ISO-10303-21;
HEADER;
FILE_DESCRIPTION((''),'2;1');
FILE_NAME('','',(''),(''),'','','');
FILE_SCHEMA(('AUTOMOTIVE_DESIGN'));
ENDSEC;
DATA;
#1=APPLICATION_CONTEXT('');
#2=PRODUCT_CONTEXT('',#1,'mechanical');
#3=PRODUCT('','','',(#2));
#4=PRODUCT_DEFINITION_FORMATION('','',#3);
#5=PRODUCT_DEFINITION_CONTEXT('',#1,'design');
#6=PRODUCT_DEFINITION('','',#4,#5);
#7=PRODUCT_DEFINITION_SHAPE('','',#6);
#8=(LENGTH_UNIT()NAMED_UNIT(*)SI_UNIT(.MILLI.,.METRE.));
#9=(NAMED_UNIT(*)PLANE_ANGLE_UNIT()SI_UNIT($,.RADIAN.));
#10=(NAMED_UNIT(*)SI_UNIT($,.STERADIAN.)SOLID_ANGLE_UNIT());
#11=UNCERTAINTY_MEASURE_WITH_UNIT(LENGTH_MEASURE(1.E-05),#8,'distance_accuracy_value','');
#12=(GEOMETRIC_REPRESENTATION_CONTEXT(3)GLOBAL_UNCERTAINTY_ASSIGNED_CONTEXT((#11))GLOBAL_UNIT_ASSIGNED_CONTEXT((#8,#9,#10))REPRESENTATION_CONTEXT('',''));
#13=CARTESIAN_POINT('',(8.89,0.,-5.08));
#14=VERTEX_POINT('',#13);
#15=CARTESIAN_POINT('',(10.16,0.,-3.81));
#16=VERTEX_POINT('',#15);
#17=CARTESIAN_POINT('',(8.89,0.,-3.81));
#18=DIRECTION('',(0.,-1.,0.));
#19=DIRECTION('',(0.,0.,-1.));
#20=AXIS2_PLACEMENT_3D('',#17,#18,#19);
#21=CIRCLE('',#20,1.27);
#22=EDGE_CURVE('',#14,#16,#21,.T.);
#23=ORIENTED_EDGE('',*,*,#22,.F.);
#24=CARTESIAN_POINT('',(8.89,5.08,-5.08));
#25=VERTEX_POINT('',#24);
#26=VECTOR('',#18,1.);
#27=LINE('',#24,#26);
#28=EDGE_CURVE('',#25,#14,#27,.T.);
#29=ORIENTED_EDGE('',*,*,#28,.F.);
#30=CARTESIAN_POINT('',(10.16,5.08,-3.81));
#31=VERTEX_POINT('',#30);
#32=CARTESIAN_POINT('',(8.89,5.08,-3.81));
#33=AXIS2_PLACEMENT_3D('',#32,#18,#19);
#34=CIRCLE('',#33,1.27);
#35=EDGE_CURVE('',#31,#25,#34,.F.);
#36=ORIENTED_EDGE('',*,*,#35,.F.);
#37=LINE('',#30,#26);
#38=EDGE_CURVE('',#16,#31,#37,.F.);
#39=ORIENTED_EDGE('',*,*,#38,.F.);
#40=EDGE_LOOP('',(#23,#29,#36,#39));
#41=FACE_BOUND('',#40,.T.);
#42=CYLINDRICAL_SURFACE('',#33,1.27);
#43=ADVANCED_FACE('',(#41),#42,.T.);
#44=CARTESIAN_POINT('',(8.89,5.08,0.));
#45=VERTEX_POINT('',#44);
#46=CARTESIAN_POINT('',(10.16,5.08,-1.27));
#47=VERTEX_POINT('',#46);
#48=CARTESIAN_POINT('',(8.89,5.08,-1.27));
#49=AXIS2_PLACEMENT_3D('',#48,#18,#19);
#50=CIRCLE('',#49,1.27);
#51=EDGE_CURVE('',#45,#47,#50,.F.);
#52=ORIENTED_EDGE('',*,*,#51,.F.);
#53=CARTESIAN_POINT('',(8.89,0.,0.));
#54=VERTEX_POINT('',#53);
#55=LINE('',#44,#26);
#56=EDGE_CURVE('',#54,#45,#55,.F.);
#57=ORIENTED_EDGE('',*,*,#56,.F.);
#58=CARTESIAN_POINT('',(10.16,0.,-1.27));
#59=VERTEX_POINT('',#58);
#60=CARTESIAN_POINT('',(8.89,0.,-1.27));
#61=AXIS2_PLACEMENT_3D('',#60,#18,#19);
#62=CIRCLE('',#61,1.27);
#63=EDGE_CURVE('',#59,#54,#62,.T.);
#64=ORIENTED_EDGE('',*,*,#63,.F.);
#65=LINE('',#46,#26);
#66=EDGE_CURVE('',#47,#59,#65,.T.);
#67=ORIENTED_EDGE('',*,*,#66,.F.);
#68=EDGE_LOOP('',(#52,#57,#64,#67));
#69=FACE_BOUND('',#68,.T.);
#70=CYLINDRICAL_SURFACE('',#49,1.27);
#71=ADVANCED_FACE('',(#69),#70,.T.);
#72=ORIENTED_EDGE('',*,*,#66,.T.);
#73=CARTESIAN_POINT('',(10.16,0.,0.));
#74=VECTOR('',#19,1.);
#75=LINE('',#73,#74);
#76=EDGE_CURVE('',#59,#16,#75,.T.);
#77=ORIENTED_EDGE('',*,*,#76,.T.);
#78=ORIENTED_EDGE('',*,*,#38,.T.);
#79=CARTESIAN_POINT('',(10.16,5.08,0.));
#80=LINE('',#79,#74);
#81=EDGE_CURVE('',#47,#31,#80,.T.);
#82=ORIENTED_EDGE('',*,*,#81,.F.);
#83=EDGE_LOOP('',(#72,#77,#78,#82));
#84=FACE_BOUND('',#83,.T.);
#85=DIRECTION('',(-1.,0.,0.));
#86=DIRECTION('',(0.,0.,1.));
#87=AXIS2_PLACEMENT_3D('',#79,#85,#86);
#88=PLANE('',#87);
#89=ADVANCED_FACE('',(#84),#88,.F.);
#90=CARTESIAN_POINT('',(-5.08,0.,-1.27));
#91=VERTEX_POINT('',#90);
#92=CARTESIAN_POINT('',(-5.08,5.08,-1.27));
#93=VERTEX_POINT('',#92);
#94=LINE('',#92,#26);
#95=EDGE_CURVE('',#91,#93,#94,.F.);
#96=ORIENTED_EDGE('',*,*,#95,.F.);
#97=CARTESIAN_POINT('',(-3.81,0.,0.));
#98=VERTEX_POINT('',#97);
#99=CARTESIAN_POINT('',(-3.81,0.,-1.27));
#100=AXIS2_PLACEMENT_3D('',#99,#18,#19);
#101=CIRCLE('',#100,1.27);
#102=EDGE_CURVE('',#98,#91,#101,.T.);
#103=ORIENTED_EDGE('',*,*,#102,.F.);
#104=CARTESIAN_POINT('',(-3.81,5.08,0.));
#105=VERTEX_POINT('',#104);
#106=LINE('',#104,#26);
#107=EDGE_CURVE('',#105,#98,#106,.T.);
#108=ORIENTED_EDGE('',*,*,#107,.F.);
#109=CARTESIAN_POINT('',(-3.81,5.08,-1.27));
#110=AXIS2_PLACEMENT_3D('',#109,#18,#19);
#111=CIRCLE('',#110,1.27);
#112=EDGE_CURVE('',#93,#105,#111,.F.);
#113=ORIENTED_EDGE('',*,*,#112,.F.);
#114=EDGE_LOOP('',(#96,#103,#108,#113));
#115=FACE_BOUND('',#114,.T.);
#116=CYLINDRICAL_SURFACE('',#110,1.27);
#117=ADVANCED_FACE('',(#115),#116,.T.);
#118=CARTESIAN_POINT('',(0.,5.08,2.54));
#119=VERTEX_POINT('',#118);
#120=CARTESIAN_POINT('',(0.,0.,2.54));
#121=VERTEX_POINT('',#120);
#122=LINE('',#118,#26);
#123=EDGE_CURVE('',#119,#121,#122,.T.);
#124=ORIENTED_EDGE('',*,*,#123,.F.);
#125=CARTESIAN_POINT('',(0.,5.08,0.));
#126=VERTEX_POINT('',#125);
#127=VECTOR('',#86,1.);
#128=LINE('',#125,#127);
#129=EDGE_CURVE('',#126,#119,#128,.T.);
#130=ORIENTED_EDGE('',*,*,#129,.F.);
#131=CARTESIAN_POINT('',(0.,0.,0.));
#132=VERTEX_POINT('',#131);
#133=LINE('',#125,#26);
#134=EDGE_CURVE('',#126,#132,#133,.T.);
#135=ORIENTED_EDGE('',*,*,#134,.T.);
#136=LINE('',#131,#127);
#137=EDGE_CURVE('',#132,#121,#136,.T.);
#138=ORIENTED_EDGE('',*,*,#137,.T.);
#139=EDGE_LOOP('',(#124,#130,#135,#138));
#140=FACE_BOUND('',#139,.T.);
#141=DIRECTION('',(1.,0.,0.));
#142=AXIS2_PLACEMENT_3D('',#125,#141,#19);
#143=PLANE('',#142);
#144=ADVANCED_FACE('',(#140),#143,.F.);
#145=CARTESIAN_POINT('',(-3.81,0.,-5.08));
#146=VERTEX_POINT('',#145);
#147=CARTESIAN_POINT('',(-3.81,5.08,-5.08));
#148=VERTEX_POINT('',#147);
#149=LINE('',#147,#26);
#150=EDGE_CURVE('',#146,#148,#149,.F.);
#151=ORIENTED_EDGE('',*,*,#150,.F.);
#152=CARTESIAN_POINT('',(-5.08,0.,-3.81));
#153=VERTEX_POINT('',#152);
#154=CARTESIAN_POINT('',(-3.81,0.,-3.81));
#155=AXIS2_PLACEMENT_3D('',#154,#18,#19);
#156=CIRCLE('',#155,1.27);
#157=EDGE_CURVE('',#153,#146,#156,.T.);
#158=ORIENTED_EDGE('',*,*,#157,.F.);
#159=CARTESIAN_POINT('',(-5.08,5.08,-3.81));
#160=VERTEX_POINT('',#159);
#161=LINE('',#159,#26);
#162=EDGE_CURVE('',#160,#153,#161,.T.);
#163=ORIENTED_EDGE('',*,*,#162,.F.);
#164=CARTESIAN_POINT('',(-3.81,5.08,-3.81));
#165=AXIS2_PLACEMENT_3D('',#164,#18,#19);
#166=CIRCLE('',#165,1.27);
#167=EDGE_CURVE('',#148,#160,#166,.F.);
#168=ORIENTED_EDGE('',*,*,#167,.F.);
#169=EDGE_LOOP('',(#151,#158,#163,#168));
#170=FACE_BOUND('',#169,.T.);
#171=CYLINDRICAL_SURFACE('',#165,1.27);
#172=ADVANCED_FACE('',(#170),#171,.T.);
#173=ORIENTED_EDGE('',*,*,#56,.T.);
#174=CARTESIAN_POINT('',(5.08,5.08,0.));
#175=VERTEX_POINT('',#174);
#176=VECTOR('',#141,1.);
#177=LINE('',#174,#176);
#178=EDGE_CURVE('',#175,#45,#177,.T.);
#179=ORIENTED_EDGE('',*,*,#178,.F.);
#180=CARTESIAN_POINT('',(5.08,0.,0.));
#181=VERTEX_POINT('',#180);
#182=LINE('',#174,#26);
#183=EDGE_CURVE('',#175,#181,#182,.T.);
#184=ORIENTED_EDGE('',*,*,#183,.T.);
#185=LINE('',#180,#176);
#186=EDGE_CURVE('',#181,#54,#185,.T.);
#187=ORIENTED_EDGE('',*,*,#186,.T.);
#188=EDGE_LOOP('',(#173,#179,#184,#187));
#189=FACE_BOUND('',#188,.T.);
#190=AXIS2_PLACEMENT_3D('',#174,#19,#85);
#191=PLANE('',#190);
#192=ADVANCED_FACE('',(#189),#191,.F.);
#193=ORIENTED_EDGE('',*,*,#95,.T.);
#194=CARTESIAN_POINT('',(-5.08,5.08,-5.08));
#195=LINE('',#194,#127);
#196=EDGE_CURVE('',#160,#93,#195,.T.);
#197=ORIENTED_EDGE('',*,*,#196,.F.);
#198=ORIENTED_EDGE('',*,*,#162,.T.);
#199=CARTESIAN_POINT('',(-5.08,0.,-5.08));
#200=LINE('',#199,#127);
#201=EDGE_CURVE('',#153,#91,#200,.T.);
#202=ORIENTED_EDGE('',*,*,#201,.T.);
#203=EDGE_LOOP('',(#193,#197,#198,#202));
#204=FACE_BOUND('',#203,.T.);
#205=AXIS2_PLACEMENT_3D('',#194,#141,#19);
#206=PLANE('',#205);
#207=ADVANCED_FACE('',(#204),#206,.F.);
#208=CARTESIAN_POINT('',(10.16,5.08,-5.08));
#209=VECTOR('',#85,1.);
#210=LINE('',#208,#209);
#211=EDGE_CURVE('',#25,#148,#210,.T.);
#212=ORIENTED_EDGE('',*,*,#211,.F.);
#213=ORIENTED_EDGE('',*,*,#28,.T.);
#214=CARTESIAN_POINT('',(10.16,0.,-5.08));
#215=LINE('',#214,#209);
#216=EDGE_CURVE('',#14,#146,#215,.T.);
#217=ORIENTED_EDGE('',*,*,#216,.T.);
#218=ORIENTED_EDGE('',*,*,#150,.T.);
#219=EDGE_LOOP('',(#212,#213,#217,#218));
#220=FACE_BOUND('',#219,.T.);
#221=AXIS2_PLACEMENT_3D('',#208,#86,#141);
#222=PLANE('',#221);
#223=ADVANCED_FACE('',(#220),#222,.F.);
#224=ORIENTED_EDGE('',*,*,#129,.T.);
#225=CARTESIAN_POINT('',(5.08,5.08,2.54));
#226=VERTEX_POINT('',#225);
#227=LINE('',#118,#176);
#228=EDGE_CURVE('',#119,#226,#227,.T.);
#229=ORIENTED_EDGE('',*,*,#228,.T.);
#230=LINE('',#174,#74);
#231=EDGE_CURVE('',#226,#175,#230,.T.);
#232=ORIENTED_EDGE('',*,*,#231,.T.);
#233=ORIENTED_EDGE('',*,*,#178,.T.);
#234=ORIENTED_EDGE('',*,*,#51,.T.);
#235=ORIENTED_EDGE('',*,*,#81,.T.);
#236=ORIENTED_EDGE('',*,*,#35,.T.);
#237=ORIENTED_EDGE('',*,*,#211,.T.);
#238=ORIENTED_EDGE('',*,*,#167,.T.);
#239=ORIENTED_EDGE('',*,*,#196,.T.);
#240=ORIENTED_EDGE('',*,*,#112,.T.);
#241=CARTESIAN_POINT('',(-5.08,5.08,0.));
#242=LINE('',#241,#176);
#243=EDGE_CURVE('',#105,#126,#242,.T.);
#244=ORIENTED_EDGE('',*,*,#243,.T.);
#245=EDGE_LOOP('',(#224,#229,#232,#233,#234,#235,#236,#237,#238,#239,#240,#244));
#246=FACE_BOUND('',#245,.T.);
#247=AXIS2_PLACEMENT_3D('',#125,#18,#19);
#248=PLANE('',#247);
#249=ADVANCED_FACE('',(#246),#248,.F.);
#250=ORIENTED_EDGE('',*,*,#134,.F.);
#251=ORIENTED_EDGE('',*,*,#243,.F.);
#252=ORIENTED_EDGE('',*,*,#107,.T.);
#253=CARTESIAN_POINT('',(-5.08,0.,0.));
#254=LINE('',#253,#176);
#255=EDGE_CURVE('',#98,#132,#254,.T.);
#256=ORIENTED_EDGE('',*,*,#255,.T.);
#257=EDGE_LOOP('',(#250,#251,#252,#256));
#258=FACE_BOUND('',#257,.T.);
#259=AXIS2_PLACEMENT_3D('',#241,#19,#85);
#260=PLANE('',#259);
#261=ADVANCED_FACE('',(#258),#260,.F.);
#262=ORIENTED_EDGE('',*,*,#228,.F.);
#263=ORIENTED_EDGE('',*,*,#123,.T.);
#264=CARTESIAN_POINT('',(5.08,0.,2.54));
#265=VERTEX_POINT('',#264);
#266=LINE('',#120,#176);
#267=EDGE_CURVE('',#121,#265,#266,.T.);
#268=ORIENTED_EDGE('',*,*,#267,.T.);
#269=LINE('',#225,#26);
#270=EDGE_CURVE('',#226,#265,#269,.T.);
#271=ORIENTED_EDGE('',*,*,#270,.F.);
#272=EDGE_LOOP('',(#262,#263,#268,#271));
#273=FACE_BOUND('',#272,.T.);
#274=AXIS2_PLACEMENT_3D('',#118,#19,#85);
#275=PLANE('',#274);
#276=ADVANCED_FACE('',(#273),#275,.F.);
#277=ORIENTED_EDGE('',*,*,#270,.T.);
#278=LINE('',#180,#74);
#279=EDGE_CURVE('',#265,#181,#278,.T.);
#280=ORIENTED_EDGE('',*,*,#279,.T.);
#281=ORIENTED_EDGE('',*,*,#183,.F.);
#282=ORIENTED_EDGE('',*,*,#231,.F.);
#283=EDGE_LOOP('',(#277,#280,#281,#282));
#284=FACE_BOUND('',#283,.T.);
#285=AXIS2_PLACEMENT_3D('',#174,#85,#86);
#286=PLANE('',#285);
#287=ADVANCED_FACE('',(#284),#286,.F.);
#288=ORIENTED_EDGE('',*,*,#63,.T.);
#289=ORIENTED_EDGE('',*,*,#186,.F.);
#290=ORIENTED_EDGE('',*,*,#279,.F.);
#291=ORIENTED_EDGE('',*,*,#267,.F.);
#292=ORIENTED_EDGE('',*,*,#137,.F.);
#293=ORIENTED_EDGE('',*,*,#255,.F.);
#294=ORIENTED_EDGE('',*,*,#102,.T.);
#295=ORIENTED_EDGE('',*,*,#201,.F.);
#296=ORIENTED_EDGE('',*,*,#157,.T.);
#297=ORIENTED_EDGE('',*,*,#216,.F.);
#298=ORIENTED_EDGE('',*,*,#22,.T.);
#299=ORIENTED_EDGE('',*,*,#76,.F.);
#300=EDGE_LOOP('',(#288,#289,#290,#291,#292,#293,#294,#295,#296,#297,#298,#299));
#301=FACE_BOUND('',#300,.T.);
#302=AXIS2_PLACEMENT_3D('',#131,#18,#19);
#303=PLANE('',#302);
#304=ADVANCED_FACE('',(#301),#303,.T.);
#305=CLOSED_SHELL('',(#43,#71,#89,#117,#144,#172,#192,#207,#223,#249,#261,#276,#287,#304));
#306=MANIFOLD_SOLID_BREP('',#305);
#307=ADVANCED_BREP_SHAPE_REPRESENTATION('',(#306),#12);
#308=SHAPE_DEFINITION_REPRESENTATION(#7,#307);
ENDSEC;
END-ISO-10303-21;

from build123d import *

# Parameters (mm, degrees)
BOSS_EXTRUDE1_DEPTH = 5.08
FILLET1_R           = 1.27


with BuildPart() as part:
    # Sketch1 → Boss-Extrude1 (new body)
    with BuildSketch(Plane(origin=(0, 0, 0), x_dir=(1, 0, 0), z_dir=(0, 1, 0))):
        Polygon((5.08, 0), (10.16, 0), (10.16, 5.08), (-5.08, 5.08), (-5.08, 0), (0, 0), (0, -2.54), (5.08, -2.54), align=None)
    extrude(amount=BOSS_EXTRUDE1_DEPTH)

    # Fillet1
    fillet1_edges = [part.edges().sort_by_distance(p)[0] for p in [
        (-5.08, 2.54, 0),
        (-5.08, 2.54, -5.08),
        (10.16, 2.54, -5.08),
        (10.16, 2.54, 0),
    ]]
    fillet(fillet1_edges, radius=FILLET1_R)


solid = part.part
